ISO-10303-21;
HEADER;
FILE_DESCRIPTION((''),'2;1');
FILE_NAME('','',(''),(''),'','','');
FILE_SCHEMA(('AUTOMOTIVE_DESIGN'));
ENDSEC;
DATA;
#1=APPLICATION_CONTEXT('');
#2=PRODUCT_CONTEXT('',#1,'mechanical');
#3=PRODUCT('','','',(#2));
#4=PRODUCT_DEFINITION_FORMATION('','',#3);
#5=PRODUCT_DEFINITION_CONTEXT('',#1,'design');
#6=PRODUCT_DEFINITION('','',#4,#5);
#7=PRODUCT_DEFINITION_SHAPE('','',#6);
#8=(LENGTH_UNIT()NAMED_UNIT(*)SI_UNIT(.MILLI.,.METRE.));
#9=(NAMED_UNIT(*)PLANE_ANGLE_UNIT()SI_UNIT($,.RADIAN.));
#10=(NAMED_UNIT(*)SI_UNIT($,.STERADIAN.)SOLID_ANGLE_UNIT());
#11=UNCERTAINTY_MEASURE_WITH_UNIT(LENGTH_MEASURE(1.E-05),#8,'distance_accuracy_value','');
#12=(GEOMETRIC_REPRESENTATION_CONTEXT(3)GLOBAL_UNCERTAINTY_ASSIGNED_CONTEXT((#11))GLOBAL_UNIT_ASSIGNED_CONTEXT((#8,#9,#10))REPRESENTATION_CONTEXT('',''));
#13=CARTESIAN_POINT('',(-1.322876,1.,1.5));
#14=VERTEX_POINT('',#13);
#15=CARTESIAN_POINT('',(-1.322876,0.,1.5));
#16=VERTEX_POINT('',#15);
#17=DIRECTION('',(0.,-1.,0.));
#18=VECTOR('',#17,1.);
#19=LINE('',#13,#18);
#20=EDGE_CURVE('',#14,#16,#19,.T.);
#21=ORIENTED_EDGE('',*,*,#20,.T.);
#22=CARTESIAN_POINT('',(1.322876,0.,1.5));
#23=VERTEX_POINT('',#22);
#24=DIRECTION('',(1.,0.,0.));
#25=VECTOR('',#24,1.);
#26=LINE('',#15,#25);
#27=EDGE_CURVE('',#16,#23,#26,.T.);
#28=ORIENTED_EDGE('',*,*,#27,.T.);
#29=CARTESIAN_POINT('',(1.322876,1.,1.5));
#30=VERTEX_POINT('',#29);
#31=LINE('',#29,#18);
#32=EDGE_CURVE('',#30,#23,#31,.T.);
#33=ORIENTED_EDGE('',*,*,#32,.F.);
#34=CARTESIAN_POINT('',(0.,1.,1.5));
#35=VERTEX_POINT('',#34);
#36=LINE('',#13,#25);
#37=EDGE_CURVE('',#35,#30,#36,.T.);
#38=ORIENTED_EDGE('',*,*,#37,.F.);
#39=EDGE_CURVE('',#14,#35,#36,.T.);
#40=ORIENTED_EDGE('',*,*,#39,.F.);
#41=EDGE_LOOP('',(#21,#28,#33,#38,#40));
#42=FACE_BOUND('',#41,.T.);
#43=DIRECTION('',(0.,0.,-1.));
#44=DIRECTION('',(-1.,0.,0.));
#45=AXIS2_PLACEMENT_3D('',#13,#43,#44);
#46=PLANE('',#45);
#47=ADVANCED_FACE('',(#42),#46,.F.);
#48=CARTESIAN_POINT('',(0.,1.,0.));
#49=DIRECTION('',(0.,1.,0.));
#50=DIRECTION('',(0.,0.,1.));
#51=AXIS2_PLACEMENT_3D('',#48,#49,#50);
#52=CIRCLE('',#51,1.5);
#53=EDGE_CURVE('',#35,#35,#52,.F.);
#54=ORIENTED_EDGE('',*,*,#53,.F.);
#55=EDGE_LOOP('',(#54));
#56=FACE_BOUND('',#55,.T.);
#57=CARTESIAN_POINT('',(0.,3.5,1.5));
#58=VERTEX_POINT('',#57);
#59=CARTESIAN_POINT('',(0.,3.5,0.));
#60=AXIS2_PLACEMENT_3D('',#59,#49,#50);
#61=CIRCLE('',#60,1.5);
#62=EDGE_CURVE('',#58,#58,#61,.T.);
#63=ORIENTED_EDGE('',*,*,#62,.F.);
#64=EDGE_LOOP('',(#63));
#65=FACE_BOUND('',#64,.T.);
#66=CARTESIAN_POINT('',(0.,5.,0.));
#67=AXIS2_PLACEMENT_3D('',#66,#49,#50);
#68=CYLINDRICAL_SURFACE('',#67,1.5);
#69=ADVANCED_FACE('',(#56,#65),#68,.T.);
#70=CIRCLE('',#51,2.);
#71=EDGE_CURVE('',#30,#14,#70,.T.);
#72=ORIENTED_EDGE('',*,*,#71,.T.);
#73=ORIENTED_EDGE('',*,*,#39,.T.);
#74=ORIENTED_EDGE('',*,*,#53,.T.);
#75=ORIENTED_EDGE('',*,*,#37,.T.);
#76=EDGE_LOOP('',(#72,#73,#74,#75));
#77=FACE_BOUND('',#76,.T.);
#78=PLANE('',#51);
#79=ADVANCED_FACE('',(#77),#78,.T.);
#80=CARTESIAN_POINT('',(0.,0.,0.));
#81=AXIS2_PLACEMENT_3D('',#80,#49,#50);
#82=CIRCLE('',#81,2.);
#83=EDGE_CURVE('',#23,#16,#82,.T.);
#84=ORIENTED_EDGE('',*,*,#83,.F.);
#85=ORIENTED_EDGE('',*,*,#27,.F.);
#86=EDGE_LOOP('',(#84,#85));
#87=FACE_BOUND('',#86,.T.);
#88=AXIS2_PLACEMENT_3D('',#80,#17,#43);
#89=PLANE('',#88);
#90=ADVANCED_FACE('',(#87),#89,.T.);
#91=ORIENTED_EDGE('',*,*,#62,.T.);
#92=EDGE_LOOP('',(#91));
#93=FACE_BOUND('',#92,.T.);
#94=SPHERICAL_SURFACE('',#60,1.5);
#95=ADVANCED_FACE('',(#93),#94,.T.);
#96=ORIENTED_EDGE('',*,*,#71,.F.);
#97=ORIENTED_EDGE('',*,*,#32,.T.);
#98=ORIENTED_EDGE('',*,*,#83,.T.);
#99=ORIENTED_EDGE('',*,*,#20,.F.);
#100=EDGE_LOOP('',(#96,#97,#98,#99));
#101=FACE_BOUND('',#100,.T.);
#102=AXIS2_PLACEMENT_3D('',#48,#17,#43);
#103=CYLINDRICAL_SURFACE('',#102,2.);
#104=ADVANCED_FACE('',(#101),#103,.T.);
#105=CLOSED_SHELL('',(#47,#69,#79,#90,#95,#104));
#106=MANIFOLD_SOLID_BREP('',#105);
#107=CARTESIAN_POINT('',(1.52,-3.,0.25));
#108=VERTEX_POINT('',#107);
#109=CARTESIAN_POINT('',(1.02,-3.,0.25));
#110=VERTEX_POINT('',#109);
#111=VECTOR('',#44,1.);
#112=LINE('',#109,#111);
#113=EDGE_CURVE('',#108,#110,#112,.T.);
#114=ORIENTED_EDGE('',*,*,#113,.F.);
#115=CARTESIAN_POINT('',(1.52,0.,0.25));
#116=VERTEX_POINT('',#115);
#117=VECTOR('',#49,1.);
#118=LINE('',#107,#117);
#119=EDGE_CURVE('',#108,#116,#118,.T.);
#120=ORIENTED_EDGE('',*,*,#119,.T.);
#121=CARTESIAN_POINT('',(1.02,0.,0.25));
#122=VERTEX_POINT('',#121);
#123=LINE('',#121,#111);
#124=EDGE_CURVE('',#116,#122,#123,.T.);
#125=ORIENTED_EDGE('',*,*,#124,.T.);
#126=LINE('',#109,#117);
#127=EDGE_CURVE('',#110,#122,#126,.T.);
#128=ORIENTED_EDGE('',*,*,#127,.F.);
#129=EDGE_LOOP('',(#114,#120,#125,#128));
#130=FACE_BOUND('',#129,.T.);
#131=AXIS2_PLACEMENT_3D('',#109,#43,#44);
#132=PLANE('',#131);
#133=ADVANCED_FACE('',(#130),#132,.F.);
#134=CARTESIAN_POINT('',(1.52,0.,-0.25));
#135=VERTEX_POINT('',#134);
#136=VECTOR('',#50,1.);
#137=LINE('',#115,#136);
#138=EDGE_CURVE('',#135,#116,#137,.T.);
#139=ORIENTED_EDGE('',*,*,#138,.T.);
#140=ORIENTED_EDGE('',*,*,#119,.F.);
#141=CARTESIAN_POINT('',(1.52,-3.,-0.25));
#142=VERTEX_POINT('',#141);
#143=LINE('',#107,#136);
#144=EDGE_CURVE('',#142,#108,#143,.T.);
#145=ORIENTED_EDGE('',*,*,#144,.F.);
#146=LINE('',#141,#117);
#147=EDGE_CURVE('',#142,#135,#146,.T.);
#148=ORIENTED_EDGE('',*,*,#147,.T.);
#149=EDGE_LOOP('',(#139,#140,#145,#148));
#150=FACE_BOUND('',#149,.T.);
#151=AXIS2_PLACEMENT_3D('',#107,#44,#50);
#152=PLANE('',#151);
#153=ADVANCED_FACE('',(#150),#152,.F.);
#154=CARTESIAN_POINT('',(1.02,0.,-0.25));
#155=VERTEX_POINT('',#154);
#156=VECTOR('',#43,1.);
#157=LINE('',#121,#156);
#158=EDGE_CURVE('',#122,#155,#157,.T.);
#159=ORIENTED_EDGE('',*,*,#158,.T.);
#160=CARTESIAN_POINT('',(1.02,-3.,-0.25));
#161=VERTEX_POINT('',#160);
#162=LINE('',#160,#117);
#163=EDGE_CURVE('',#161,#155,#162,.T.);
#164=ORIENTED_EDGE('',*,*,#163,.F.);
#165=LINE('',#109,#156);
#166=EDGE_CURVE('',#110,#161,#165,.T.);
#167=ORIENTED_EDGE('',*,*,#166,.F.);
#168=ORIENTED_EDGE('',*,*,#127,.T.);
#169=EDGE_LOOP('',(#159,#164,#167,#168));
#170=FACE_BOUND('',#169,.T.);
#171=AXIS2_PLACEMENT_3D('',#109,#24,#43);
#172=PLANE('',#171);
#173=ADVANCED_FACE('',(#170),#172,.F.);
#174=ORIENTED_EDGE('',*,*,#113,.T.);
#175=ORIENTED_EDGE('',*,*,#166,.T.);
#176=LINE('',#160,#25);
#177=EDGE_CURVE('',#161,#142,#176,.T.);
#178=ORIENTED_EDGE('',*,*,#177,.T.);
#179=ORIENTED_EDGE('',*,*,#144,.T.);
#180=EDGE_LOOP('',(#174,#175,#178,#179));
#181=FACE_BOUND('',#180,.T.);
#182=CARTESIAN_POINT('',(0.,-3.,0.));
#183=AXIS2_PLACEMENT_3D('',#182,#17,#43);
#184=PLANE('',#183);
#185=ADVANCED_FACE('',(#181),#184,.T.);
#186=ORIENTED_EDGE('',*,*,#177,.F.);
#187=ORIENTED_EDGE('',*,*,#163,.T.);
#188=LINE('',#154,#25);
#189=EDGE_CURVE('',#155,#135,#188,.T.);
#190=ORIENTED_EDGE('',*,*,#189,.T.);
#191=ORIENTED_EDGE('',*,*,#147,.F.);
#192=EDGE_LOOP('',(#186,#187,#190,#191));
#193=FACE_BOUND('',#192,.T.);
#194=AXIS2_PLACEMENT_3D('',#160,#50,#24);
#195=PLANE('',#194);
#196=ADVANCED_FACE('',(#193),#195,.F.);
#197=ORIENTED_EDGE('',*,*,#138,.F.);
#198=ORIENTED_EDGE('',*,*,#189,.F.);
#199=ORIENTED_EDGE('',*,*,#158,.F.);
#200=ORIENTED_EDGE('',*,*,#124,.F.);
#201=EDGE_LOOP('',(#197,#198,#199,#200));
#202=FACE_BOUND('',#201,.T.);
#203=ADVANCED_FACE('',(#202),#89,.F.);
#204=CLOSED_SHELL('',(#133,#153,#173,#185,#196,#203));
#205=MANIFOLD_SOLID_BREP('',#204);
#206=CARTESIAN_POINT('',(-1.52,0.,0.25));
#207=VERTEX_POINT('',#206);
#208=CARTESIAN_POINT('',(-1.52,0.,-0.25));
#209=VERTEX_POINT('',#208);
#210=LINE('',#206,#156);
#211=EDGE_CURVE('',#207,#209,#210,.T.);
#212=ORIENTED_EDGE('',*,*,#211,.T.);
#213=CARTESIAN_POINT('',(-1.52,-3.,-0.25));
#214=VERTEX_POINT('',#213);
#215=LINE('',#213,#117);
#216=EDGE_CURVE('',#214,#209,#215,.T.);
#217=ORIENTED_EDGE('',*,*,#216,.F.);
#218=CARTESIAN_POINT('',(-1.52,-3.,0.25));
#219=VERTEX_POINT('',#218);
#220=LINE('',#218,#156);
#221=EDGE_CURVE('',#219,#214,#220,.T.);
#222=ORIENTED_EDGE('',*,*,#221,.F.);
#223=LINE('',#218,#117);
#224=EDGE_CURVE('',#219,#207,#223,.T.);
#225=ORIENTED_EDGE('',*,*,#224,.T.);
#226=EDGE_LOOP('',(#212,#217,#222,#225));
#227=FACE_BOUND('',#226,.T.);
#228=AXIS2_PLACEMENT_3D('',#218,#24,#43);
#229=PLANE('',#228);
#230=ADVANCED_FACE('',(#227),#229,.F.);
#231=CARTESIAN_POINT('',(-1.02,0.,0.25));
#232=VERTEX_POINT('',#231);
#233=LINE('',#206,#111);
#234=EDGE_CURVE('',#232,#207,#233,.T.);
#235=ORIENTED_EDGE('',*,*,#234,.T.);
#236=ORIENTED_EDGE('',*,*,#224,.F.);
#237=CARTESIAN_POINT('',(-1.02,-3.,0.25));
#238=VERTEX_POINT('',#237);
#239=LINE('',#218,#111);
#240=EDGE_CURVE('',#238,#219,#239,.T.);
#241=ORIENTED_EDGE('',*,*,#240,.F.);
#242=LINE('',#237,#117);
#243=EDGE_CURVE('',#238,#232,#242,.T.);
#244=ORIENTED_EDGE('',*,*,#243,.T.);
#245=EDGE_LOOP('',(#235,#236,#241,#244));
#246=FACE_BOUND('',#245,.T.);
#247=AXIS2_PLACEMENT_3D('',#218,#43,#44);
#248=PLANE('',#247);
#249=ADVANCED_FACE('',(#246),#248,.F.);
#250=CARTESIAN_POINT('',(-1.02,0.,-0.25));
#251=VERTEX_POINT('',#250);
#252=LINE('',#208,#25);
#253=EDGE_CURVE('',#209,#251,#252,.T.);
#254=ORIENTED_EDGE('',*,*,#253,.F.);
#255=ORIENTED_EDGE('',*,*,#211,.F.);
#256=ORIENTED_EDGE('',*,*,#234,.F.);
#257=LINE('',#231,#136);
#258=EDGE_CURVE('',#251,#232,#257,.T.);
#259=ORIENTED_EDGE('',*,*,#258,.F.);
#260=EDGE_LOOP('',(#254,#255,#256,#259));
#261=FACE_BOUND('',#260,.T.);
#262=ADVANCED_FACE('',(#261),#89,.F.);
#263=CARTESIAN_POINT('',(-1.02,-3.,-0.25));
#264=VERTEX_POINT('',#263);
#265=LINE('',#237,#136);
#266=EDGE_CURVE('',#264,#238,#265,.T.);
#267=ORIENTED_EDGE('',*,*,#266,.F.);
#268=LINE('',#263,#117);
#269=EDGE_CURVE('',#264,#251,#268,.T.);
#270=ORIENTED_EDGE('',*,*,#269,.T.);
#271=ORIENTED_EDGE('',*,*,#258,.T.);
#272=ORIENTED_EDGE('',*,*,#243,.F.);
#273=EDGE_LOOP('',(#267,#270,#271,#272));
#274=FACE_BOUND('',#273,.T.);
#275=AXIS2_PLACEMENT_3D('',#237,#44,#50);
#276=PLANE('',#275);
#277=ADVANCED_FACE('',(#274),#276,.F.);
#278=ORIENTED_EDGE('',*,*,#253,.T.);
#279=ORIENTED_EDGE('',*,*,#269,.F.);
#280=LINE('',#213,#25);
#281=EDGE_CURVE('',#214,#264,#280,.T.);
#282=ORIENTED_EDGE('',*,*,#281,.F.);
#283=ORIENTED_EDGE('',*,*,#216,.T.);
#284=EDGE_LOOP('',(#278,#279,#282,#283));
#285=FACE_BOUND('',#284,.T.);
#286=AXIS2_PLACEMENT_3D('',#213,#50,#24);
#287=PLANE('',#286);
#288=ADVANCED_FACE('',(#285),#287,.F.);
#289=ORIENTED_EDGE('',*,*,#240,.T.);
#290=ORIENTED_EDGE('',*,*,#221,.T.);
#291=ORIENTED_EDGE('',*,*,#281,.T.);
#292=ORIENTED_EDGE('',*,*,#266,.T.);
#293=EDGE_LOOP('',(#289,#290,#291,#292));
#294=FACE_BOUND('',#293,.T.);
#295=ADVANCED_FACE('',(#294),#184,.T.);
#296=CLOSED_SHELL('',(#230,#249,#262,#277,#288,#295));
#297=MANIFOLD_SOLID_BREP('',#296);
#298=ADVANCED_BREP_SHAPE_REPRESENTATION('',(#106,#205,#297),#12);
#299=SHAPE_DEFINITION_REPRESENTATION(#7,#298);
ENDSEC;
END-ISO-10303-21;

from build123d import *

# Parameters (mm, degrees)
BOSS_EXTRUDE1_DEPTH   = 1
SKETCH3_W             = 0.5
SKETCH3_H             = 0.5
BOSS_EXTRUDE2_DEPTH   = 3
BOSS_EXTRUDE2_2_DEPTH = 3


with BuildPart() as part:
    # Sketch1 → Revolve1 (revolve)
    with BuildSketch(Plane(origin=(0, 0, 0), x_dir=(0, 0, -1), z_dir=(1, 0, 0))):
        with BuildLine():
            Line((-1.5, 0), (-1.5, 3.5))
            ThreePointArc((-1.5, 3.5), (-1.060660172, 4.560660172), (0, 5))
            Line((0, 5), (0, 0))
            Line((0, 0), (-1.5, 0))
        make_face()
    revolve(axis=Axis((0, 5, 0), (0, -1, 0)))

    # Sketch2 → Boss-Extrude1 (add)
    with BuildSketch(Plane(origin=(0, 0, 0), x_dir=(1, 0, 0), z_dir=(0, 1, 0))):
        with BuildLine():
            Line((-1.322875656, -1.5), (1.322875656, -1.5))
            ThreePointArc((1.322875656, -1.5), (0, 2), (-1.322875656, -1.5))
        make_face()
    extrude(amount=BOSS_EXTRUDE1_DEPTH)


with BuildPart() as body_2:
    # Sketch3 → Boss-Extrude2 (new body)
    with BuildSketch(Plane.XZ):
        with Locations((-1.27, 0)):
            Rectangle(SKETCH3_W, SKETCH3_H)
    extrude(amount=BOSS_EXTRUDE2_DEPTH)


with BuildPart() as body_3:
    # Sketch3 → Boss-Extrude2 2 (new body)
    with BuildSketch(Plane.XZ):
        with Locations((1.27, 0)):
            Rectangle(SKETCH3_W, SKETCH3_H)
    extrude(amount=BOSS_EXTRUDE2_2_DEPTH)


solid = Compound([part.part, body_2.part, body_3.part])
